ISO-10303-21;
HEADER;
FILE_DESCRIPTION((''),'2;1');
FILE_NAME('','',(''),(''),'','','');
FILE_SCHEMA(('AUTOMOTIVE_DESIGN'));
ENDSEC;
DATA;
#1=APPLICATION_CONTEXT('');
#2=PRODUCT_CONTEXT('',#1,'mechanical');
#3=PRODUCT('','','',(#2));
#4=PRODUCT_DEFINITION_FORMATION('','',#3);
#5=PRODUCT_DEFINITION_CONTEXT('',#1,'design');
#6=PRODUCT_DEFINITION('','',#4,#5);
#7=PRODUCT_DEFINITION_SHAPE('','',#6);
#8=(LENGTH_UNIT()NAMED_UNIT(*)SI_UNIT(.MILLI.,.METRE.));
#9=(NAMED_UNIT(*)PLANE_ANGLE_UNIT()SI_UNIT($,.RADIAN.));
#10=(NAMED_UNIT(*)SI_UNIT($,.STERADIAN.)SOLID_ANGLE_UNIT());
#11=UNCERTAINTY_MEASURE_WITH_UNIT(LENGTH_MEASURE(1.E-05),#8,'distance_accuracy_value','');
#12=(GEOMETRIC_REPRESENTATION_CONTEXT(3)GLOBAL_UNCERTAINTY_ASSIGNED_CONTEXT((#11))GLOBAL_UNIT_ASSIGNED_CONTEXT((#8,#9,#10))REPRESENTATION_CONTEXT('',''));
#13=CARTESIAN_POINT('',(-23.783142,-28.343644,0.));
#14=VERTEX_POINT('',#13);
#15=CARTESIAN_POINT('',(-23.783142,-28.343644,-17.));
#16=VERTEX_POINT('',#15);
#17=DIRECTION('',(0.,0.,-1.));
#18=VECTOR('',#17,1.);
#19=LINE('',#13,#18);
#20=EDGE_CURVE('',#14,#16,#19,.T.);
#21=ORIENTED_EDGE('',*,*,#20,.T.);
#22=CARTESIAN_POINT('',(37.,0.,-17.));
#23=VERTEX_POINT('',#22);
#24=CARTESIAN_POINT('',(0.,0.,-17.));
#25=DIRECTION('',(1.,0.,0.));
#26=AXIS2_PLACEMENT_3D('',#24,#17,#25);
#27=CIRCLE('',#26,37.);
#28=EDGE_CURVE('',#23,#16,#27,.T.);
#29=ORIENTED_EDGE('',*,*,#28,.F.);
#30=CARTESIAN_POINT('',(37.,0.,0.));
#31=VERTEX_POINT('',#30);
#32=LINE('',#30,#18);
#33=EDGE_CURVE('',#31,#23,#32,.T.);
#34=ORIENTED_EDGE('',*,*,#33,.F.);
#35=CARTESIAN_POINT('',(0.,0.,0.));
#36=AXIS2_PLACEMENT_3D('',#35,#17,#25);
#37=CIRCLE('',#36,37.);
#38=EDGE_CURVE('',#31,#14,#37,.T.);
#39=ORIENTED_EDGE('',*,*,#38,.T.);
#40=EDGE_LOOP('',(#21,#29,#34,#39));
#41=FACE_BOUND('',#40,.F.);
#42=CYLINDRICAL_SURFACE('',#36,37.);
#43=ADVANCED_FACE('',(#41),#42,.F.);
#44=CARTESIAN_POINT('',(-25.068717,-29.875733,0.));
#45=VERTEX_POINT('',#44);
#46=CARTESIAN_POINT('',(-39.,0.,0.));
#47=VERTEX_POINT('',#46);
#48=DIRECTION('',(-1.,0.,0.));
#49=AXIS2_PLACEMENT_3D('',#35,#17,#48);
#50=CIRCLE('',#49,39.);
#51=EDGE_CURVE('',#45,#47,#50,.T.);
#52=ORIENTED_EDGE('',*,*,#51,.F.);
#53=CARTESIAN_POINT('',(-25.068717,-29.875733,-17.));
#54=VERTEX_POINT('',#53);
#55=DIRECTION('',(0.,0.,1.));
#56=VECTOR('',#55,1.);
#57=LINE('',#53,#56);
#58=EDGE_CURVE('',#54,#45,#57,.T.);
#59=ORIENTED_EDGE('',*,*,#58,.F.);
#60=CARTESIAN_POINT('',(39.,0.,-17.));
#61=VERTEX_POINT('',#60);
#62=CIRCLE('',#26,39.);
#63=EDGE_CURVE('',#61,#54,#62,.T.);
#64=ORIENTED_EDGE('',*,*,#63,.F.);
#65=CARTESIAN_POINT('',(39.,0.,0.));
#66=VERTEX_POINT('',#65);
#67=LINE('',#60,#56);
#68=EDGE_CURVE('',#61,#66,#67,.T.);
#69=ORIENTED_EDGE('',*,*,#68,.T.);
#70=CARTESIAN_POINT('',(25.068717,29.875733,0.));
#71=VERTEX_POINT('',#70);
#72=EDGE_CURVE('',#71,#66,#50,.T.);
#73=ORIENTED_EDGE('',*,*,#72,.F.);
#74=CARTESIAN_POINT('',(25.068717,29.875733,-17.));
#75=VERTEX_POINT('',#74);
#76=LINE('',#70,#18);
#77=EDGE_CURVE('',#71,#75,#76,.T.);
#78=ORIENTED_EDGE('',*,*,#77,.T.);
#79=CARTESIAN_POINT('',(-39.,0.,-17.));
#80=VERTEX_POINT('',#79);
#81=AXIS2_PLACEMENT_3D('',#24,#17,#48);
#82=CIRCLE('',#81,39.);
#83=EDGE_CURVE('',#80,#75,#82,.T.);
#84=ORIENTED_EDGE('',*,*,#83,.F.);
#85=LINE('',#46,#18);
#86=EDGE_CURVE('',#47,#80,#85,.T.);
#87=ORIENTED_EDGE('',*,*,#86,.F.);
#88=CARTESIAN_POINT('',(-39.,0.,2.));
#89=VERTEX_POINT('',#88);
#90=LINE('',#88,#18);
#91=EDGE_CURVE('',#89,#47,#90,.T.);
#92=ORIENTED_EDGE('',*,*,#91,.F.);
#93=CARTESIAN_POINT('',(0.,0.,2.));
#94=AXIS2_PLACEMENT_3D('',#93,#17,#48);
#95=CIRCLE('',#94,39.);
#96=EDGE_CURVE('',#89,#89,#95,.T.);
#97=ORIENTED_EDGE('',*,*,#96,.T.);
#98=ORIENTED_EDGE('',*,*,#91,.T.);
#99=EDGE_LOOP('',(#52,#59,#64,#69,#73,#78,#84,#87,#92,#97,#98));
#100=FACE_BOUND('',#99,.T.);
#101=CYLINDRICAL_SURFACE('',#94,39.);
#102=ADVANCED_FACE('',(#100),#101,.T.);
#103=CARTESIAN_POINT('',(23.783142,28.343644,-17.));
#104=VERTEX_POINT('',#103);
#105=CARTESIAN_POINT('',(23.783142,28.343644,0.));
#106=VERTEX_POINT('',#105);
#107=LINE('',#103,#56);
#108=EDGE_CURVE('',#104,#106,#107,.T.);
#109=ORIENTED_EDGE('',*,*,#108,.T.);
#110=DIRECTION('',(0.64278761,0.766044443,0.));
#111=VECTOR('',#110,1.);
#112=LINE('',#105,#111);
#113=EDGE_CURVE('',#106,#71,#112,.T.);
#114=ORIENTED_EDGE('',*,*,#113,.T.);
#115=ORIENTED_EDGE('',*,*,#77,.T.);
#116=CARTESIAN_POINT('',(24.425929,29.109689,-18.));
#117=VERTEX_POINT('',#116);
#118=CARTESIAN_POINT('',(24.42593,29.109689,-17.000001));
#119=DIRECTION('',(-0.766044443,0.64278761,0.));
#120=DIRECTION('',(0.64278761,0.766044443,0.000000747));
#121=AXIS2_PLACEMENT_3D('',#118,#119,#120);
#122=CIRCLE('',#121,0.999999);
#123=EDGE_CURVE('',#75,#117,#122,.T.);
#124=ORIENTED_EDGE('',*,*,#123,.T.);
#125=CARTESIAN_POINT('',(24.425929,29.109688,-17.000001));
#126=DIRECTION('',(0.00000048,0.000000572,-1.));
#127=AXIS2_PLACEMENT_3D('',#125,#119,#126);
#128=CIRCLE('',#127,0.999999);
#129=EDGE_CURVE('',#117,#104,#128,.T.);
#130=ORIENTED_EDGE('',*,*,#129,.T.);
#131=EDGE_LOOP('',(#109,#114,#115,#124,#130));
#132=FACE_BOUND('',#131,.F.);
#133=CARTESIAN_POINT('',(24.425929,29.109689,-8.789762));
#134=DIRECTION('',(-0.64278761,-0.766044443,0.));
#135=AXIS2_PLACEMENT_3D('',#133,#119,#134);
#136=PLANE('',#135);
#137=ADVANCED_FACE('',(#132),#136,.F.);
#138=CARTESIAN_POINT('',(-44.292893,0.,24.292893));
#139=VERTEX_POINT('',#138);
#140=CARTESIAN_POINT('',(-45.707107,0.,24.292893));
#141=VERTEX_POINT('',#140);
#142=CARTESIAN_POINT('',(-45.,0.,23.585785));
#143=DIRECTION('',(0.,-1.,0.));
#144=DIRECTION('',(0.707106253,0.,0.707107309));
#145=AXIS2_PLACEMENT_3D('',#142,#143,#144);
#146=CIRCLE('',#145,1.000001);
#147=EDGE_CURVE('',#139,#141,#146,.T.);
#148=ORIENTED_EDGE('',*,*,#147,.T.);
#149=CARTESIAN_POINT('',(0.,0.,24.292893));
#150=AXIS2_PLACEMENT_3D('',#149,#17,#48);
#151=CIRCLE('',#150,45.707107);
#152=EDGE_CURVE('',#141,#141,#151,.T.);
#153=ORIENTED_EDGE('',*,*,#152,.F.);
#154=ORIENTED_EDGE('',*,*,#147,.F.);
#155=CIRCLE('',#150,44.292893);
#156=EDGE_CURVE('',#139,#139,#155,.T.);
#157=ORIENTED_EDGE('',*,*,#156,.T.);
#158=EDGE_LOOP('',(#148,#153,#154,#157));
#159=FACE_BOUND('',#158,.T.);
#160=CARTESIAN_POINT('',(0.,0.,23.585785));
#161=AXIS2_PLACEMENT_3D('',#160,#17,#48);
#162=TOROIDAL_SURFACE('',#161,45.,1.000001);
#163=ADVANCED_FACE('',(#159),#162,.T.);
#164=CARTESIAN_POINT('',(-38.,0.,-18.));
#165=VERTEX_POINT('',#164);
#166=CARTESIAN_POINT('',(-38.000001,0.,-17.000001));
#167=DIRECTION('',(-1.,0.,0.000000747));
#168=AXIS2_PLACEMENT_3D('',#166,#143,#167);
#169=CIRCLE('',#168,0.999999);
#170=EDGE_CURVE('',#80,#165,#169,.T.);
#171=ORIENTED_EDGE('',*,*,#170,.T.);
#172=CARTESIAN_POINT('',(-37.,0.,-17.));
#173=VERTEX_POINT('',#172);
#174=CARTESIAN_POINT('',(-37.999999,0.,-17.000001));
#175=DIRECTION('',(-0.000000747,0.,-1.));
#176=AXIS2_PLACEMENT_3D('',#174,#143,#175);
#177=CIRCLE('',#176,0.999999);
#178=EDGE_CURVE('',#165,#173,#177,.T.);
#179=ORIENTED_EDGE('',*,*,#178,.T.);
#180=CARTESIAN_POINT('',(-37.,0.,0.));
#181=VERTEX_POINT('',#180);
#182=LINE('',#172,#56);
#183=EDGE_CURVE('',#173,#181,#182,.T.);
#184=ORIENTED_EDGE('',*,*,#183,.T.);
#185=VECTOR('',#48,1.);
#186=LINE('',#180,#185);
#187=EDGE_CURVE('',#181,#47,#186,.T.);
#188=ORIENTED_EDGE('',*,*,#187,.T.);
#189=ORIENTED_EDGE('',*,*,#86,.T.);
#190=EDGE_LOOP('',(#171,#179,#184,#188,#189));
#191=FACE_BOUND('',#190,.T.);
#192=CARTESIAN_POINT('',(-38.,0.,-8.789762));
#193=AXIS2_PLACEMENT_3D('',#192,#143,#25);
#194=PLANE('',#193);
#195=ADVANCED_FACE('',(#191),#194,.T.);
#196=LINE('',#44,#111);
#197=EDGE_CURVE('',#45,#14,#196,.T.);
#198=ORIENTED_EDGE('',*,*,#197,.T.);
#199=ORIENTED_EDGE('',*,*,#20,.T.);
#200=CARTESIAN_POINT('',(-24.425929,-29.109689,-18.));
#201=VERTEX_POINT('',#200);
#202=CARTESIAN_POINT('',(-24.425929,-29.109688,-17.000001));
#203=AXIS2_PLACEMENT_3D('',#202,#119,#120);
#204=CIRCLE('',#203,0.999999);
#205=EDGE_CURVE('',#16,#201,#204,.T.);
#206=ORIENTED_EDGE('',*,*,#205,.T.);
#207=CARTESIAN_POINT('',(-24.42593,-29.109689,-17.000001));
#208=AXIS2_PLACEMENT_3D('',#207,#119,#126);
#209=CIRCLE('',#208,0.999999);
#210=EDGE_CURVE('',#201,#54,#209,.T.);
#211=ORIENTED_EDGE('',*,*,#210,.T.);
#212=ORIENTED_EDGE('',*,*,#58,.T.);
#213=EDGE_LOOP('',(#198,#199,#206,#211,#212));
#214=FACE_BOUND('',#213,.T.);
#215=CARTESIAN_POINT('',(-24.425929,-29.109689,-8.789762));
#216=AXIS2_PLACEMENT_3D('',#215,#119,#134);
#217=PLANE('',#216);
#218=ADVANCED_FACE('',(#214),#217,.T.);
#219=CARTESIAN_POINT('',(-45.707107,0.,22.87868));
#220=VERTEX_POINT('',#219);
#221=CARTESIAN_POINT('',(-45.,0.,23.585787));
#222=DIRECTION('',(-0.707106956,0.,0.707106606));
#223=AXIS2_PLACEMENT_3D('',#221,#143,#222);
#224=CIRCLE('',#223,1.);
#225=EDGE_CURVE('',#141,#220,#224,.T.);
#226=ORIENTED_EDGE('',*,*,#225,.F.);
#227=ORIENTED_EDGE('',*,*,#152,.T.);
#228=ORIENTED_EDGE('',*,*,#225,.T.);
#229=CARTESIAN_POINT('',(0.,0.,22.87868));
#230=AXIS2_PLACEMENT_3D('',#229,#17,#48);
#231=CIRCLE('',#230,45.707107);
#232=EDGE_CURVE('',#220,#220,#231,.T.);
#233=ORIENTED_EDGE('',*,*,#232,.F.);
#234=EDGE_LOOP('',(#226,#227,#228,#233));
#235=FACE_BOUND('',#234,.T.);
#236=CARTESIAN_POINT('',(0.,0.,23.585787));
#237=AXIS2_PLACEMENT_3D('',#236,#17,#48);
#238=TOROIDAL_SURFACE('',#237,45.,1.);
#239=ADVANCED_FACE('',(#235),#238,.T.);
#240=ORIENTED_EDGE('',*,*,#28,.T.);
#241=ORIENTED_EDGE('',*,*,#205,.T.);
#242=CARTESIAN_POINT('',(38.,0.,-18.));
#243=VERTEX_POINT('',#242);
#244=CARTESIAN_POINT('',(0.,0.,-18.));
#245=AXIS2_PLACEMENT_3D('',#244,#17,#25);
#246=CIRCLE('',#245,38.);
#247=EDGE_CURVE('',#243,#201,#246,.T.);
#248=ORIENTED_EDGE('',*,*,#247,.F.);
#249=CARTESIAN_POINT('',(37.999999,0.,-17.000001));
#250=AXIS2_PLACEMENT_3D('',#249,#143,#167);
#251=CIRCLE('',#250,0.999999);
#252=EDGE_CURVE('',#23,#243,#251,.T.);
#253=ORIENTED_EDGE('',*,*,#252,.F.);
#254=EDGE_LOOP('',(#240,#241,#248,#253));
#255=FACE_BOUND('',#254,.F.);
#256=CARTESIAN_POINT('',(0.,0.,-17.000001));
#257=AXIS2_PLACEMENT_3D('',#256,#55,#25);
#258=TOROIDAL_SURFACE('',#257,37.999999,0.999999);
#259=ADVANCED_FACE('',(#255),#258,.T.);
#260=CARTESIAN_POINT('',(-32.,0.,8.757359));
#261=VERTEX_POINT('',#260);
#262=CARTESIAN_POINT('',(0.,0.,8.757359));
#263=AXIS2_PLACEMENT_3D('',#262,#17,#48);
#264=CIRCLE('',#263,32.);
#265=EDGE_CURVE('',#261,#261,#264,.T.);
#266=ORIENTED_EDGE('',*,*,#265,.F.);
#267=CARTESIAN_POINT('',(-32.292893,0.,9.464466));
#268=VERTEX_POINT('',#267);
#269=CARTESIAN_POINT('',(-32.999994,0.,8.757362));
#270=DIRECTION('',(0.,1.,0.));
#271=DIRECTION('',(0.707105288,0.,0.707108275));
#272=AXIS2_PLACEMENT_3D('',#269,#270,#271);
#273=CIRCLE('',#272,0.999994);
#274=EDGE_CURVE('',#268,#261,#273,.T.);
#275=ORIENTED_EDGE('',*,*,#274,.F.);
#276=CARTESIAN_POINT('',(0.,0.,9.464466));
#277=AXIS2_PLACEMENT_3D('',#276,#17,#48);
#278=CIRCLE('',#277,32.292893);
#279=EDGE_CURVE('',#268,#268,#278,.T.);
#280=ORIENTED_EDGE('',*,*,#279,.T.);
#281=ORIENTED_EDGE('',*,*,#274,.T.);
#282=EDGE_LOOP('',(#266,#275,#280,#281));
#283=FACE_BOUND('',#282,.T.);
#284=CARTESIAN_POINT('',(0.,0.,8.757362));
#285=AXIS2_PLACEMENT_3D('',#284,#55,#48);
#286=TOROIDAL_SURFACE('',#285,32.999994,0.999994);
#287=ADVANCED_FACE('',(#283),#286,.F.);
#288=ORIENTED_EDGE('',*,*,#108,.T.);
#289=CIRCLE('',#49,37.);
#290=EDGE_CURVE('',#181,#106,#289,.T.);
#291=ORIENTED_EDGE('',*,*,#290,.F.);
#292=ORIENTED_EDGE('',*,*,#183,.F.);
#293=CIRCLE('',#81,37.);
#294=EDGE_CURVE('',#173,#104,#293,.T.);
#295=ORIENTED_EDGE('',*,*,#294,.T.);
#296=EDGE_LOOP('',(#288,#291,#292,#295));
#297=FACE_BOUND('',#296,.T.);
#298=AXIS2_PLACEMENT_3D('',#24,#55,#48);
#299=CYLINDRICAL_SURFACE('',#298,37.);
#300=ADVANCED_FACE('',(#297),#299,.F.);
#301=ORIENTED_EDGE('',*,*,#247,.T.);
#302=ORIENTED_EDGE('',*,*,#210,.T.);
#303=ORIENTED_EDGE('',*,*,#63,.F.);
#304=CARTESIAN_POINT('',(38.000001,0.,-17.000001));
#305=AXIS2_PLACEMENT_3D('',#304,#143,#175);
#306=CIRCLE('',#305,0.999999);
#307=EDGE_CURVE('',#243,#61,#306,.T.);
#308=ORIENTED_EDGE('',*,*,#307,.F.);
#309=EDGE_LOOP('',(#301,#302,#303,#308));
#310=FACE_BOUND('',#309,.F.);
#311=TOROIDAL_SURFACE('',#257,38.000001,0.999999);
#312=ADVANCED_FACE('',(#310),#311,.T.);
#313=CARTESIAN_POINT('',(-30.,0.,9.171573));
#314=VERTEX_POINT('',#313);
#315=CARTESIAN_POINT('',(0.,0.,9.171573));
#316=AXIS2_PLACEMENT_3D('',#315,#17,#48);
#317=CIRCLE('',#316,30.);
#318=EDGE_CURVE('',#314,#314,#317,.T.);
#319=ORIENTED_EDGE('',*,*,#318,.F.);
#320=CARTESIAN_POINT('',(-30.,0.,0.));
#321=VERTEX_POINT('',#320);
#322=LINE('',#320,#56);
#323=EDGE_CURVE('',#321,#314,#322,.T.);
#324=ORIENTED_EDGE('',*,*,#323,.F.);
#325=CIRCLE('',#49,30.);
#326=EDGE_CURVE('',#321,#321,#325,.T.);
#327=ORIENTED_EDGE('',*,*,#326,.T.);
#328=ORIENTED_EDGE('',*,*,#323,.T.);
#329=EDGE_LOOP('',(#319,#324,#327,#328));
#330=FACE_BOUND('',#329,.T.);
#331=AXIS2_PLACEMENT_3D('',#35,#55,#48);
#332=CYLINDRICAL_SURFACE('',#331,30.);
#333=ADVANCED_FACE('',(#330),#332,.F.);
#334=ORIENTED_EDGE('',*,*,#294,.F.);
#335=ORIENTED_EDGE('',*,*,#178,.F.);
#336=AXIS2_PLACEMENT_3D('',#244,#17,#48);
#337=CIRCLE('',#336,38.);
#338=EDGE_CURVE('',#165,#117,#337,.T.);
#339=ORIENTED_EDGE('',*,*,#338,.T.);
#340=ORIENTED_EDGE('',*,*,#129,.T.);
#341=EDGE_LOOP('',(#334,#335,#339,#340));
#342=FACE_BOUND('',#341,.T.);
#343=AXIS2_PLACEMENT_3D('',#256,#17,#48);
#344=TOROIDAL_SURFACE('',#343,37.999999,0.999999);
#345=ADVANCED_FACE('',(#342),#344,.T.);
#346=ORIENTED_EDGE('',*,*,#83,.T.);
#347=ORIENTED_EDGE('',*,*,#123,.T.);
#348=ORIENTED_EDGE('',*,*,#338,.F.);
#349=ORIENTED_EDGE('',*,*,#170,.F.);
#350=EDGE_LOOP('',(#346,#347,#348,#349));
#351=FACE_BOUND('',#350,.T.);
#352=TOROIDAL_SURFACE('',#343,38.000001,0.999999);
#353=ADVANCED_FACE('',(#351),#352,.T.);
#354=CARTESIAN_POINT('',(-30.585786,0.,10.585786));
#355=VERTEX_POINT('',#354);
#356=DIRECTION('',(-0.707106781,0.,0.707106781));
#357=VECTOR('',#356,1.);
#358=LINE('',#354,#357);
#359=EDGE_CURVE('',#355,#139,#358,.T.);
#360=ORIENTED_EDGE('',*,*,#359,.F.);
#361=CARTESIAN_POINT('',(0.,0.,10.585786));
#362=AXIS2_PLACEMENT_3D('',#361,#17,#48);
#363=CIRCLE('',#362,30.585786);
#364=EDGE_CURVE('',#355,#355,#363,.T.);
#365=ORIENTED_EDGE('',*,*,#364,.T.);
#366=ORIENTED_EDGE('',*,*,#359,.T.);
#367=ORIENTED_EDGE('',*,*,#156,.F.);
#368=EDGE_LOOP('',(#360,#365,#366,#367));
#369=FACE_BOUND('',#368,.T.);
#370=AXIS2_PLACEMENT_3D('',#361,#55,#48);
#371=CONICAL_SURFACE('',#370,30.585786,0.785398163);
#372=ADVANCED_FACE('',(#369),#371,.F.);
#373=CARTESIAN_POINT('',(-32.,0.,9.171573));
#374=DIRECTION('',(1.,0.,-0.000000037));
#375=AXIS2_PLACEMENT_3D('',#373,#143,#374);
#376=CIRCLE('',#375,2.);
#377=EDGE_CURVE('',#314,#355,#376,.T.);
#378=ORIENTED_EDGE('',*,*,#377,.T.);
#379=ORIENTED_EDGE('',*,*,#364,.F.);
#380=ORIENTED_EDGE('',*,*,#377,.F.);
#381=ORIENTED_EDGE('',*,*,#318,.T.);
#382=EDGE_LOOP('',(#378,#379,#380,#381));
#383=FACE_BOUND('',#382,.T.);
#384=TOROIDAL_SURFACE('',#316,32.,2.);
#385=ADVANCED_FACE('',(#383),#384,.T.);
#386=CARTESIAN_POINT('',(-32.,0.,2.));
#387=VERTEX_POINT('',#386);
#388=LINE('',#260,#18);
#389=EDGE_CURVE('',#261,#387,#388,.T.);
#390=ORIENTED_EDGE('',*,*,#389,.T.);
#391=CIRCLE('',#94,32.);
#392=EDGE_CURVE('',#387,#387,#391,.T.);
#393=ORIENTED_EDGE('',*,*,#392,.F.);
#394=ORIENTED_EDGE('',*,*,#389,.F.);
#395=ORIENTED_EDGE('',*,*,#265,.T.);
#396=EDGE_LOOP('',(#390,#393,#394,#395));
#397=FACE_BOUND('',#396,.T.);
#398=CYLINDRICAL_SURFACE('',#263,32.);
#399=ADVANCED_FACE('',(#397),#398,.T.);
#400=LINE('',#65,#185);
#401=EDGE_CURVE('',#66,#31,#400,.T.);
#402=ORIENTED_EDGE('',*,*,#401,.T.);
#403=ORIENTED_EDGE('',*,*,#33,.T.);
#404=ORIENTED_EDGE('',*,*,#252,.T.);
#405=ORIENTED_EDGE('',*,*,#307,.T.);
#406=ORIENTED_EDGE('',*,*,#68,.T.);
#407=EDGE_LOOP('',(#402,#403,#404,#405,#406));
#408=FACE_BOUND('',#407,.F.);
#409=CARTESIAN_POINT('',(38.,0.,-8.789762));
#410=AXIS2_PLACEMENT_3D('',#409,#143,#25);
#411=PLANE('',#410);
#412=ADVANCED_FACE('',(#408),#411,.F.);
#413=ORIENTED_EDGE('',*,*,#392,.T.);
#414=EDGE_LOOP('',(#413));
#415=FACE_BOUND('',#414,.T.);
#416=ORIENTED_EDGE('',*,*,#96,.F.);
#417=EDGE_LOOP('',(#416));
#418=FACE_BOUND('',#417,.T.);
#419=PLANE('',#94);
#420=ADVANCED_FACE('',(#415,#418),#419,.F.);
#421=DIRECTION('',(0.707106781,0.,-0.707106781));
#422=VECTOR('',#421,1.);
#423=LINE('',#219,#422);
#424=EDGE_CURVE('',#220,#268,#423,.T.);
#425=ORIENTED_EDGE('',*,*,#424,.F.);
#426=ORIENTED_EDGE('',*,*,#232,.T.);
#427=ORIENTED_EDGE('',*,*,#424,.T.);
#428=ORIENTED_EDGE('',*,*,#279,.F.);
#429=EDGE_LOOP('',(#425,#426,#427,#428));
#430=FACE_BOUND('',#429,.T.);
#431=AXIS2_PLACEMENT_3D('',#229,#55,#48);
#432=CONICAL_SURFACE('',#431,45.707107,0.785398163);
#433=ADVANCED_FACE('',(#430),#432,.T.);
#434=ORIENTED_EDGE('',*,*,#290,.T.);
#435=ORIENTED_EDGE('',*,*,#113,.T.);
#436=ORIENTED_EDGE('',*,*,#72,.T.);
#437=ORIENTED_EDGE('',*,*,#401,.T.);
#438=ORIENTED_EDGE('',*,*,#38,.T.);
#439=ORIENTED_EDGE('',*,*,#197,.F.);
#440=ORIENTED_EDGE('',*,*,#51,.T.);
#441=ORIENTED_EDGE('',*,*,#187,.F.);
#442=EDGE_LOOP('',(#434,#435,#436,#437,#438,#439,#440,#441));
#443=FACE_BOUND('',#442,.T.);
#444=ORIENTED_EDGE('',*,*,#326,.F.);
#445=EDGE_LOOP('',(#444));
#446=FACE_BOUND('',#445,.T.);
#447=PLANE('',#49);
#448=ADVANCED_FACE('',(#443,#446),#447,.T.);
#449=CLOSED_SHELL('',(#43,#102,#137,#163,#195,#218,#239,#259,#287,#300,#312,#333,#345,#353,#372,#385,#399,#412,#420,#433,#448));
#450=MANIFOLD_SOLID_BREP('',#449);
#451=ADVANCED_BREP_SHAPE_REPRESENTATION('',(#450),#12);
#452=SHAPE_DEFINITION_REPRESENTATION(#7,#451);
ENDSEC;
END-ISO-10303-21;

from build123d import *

# Parameters (mm, degrees)
F5_ANGLE = 130


with BuildPart() as f3:
    # F0 (on Front) → F3 (revolve)
    with BuildSketch(Plane.XZ):
        with BuildLine():
            Line((-39, 0), (-30, 0))
            Line((-30, 0), (-30, 9.171573))
            ThreePointArc((-30, 9.171573), (-30.152241, 9.93694), (-30.585786, 10.585786))
            Line((-30.585786, 10.585786), (-44.292893, 24.292893))
            ThreePointArc((-44.292893, 24.292893), (-45, 24.585786), (-45.707107, 24.292893))
            ThreePointArc((-45.707107, 24.292893), (-46, 23.585786), (-45.707107, 22.87868))
            Line((-45.707107, 22.87868), (-32.292893, 9.464466))
            ThreePointArc((-32.292893, 9.464466), (-32.07612, 9.140043), (-32, 8.757359))
            Line((-32, 8.757359), (-32, 2))
            Line((-32, 2), (-39, 2))
            Line((-39, 2), (-39, 0))
        make_face()
    revolve(axis=Axis((0, 0, 1.647223), (0, 0, -1)))

    # F1 (on Front) → F5 (revolve)
    with BuildSketch(Plane.XZ):
        with BuildLine():
            Line((-37, -17), (-37, 0))
            Line((-37, 0), (-39, 0))
            Line((-39, 0), (-39, -17))
            ThreePointArc((-39, -17), (-38.707107, -17.707107), (-38, -18))
            ThreePointArc((-38, -18), (-37.292893, -17.707107), (-37, -17))
        make_face()
        with BuildLine():
            Line((39, 0), (37, 0))
            Line((37, 0), (37, -17))
            ThreePointArc((37, -17), (37.292893, -17.707107), (38, -18))
            ThreePointArc((38, -18), (38.707107, -17.707107), (39, -17))
            Line((39, -17), (39, 0))
        make_face()
    revolve(axis=Axis((0, 0, 2.304239), (0, 0, -1)), revolution_arc=F5_ANGLE)


solid = f3.part
